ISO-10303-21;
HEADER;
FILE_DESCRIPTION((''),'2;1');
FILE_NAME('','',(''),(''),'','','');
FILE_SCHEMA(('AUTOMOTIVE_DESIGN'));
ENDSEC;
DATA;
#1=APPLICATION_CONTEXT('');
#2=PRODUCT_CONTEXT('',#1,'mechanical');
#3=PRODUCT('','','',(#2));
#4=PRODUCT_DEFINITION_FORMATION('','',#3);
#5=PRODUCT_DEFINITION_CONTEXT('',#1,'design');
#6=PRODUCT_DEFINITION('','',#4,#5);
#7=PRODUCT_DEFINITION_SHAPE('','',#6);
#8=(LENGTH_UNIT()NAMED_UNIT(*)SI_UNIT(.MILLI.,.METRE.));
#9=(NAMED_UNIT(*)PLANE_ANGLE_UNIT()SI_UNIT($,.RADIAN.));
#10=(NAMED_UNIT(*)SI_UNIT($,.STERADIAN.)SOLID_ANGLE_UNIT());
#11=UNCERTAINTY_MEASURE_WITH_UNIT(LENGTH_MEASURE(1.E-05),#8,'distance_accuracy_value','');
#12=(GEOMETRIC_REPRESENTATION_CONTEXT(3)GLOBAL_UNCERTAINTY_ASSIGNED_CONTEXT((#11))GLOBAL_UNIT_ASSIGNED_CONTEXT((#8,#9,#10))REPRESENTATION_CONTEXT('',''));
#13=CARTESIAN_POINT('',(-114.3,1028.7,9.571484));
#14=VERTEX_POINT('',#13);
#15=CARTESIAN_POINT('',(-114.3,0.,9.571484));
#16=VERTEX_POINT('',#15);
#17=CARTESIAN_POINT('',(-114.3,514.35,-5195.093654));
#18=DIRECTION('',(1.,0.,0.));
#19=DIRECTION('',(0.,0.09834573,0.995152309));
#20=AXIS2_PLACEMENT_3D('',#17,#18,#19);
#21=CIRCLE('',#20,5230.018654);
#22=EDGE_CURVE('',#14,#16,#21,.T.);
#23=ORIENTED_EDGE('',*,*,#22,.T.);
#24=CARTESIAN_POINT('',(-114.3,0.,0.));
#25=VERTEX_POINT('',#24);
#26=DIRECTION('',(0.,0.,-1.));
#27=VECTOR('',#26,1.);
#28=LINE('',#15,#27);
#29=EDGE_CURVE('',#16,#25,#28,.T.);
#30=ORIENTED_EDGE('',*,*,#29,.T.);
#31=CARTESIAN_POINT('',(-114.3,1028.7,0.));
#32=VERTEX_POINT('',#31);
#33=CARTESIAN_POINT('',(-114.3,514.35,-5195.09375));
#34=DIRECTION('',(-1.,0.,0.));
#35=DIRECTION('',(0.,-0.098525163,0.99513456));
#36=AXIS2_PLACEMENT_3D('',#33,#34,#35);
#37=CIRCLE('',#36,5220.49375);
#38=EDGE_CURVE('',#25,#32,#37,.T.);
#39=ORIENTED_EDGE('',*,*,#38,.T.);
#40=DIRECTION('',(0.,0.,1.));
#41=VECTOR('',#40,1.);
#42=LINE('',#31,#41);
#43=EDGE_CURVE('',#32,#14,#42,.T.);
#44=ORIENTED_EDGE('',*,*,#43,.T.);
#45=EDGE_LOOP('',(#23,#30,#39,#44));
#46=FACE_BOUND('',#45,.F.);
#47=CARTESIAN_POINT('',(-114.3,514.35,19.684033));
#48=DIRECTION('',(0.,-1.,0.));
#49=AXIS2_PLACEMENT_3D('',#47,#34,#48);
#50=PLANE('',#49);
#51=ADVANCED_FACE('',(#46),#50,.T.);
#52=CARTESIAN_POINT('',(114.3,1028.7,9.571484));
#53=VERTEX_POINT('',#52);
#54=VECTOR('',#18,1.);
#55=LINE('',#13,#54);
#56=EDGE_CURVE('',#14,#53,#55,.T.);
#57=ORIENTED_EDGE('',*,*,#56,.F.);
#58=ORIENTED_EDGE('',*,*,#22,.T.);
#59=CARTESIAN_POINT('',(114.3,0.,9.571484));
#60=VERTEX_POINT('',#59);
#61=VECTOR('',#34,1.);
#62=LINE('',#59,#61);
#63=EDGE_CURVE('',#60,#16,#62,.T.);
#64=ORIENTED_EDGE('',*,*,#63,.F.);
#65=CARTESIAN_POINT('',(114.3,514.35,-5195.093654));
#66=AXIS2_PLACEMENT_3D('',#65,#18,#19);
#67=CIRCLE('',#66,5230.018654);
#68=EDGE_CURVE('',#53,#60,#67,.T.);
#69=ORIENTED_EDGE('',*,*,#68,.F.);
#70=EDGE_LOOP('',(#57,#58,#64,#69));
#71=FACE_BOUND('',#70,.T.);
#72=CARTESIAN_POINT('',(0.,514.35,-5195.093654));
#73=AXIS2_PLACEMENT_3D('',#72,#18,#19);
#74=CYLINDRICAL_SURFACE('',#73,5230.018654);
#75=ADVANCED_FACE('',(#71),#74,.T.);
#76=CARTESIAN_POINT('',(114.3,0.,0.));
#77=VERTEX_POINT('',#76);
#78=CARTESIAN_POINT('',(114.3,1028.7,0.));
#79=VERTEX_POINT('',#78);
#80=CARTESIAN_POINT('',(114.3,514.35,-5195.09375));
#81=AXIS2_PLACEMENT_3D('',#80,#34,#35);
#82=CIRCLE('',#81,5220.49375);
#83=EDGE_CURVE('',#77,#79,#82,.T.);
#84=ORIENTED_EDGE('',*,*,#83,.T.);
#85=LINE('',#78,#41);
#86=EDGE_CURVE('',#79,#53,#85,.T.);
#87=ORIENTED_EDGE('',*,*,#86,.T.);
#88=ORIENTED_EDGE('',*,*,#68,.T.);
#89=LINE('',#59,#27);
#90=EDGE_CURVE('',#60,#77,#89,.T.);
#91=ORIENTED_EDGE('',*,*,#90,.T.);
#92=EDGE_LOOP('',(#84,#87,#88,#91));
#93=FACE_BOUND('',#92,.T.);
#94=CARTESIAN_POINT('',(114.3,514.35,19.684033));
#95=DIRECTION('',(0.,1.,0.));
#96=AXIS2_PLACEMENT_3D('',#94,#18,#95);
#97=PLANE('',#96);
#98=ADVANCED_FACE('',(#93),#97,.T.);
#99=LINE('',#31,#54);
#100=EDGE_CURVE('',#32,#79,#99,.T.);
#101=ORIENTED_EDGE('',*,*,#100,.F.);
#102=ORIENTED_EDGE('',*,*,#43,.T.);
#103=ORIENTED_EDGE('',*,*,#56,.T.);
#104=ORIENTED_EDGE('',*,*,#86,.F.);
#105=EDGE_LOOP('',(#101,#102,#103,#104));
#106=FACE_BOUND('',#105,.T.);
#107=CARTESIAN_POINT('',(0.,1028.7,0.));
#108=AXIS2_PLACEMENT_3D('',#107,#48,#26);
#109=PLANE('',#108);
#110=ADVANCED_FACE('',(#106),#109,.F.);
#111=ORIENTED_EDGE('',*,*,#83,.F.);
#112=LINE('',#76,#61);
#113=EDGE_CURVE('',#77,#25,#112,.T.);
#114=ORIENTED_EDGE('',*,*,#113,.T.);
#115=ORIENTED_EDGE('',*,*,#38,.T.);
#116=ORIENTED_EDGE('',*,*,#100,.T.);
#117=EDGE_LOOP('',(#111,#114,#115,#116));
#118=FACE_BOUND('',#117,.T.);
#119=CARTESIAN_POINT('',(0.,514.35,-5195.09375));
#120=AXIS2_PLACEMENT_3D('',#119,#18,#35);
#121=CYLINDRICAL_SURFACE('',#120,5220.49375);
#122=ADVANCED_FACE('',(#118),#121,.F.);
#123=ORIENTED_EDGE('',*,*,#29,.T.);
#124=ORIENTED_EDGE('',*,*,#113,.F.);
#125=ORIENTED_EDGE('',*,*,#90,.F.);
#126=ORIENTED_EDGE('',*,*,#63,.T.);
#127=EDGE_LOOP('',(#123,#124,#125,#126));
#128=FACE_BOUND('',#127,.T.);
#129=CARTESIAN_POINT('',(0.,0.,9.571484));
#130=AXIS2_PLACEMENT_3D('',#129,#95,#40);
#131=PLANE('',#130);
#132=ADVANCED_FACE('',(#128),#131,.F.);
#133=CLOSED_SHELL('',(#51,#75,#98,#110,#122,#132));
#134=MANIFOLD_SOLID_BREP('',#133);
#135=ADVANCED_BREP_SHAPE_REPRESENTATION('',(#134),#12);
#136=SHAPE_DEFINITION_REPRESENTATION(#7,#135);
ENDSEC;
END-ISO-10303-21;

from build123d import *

# Parameters (mm, degrees)
F1_DEPTH = 114.3


with BuildPart() as f1:
    # F0 (on Right) → F1 (new body)
    with BuildSketch(Plane.YZ):
        with BuildLine():
            ThreePointArc((0, 0), (514.35, 25.4), (1028.7, 0))
            Line((1028.7, 0), (1028.7, 9.571484))
            ThreePointArc((1028.7, 9.571484), (514.35, 34.925), (0, 9.571484))
            Line((0, 9.571484), (0, 0))
        make_face()
    extrude(amount=F1_DEPTH)

    # F2: F1 across face


with BuildPart() as f1_1:
    add(f1.part)
    add(f1.part.mirror(Plane(origin=(0, 514.35, 21.700839), x_dir=(0, 1, 0), z_dir=(-1, 0, 0))))


solid = f1_1.part
